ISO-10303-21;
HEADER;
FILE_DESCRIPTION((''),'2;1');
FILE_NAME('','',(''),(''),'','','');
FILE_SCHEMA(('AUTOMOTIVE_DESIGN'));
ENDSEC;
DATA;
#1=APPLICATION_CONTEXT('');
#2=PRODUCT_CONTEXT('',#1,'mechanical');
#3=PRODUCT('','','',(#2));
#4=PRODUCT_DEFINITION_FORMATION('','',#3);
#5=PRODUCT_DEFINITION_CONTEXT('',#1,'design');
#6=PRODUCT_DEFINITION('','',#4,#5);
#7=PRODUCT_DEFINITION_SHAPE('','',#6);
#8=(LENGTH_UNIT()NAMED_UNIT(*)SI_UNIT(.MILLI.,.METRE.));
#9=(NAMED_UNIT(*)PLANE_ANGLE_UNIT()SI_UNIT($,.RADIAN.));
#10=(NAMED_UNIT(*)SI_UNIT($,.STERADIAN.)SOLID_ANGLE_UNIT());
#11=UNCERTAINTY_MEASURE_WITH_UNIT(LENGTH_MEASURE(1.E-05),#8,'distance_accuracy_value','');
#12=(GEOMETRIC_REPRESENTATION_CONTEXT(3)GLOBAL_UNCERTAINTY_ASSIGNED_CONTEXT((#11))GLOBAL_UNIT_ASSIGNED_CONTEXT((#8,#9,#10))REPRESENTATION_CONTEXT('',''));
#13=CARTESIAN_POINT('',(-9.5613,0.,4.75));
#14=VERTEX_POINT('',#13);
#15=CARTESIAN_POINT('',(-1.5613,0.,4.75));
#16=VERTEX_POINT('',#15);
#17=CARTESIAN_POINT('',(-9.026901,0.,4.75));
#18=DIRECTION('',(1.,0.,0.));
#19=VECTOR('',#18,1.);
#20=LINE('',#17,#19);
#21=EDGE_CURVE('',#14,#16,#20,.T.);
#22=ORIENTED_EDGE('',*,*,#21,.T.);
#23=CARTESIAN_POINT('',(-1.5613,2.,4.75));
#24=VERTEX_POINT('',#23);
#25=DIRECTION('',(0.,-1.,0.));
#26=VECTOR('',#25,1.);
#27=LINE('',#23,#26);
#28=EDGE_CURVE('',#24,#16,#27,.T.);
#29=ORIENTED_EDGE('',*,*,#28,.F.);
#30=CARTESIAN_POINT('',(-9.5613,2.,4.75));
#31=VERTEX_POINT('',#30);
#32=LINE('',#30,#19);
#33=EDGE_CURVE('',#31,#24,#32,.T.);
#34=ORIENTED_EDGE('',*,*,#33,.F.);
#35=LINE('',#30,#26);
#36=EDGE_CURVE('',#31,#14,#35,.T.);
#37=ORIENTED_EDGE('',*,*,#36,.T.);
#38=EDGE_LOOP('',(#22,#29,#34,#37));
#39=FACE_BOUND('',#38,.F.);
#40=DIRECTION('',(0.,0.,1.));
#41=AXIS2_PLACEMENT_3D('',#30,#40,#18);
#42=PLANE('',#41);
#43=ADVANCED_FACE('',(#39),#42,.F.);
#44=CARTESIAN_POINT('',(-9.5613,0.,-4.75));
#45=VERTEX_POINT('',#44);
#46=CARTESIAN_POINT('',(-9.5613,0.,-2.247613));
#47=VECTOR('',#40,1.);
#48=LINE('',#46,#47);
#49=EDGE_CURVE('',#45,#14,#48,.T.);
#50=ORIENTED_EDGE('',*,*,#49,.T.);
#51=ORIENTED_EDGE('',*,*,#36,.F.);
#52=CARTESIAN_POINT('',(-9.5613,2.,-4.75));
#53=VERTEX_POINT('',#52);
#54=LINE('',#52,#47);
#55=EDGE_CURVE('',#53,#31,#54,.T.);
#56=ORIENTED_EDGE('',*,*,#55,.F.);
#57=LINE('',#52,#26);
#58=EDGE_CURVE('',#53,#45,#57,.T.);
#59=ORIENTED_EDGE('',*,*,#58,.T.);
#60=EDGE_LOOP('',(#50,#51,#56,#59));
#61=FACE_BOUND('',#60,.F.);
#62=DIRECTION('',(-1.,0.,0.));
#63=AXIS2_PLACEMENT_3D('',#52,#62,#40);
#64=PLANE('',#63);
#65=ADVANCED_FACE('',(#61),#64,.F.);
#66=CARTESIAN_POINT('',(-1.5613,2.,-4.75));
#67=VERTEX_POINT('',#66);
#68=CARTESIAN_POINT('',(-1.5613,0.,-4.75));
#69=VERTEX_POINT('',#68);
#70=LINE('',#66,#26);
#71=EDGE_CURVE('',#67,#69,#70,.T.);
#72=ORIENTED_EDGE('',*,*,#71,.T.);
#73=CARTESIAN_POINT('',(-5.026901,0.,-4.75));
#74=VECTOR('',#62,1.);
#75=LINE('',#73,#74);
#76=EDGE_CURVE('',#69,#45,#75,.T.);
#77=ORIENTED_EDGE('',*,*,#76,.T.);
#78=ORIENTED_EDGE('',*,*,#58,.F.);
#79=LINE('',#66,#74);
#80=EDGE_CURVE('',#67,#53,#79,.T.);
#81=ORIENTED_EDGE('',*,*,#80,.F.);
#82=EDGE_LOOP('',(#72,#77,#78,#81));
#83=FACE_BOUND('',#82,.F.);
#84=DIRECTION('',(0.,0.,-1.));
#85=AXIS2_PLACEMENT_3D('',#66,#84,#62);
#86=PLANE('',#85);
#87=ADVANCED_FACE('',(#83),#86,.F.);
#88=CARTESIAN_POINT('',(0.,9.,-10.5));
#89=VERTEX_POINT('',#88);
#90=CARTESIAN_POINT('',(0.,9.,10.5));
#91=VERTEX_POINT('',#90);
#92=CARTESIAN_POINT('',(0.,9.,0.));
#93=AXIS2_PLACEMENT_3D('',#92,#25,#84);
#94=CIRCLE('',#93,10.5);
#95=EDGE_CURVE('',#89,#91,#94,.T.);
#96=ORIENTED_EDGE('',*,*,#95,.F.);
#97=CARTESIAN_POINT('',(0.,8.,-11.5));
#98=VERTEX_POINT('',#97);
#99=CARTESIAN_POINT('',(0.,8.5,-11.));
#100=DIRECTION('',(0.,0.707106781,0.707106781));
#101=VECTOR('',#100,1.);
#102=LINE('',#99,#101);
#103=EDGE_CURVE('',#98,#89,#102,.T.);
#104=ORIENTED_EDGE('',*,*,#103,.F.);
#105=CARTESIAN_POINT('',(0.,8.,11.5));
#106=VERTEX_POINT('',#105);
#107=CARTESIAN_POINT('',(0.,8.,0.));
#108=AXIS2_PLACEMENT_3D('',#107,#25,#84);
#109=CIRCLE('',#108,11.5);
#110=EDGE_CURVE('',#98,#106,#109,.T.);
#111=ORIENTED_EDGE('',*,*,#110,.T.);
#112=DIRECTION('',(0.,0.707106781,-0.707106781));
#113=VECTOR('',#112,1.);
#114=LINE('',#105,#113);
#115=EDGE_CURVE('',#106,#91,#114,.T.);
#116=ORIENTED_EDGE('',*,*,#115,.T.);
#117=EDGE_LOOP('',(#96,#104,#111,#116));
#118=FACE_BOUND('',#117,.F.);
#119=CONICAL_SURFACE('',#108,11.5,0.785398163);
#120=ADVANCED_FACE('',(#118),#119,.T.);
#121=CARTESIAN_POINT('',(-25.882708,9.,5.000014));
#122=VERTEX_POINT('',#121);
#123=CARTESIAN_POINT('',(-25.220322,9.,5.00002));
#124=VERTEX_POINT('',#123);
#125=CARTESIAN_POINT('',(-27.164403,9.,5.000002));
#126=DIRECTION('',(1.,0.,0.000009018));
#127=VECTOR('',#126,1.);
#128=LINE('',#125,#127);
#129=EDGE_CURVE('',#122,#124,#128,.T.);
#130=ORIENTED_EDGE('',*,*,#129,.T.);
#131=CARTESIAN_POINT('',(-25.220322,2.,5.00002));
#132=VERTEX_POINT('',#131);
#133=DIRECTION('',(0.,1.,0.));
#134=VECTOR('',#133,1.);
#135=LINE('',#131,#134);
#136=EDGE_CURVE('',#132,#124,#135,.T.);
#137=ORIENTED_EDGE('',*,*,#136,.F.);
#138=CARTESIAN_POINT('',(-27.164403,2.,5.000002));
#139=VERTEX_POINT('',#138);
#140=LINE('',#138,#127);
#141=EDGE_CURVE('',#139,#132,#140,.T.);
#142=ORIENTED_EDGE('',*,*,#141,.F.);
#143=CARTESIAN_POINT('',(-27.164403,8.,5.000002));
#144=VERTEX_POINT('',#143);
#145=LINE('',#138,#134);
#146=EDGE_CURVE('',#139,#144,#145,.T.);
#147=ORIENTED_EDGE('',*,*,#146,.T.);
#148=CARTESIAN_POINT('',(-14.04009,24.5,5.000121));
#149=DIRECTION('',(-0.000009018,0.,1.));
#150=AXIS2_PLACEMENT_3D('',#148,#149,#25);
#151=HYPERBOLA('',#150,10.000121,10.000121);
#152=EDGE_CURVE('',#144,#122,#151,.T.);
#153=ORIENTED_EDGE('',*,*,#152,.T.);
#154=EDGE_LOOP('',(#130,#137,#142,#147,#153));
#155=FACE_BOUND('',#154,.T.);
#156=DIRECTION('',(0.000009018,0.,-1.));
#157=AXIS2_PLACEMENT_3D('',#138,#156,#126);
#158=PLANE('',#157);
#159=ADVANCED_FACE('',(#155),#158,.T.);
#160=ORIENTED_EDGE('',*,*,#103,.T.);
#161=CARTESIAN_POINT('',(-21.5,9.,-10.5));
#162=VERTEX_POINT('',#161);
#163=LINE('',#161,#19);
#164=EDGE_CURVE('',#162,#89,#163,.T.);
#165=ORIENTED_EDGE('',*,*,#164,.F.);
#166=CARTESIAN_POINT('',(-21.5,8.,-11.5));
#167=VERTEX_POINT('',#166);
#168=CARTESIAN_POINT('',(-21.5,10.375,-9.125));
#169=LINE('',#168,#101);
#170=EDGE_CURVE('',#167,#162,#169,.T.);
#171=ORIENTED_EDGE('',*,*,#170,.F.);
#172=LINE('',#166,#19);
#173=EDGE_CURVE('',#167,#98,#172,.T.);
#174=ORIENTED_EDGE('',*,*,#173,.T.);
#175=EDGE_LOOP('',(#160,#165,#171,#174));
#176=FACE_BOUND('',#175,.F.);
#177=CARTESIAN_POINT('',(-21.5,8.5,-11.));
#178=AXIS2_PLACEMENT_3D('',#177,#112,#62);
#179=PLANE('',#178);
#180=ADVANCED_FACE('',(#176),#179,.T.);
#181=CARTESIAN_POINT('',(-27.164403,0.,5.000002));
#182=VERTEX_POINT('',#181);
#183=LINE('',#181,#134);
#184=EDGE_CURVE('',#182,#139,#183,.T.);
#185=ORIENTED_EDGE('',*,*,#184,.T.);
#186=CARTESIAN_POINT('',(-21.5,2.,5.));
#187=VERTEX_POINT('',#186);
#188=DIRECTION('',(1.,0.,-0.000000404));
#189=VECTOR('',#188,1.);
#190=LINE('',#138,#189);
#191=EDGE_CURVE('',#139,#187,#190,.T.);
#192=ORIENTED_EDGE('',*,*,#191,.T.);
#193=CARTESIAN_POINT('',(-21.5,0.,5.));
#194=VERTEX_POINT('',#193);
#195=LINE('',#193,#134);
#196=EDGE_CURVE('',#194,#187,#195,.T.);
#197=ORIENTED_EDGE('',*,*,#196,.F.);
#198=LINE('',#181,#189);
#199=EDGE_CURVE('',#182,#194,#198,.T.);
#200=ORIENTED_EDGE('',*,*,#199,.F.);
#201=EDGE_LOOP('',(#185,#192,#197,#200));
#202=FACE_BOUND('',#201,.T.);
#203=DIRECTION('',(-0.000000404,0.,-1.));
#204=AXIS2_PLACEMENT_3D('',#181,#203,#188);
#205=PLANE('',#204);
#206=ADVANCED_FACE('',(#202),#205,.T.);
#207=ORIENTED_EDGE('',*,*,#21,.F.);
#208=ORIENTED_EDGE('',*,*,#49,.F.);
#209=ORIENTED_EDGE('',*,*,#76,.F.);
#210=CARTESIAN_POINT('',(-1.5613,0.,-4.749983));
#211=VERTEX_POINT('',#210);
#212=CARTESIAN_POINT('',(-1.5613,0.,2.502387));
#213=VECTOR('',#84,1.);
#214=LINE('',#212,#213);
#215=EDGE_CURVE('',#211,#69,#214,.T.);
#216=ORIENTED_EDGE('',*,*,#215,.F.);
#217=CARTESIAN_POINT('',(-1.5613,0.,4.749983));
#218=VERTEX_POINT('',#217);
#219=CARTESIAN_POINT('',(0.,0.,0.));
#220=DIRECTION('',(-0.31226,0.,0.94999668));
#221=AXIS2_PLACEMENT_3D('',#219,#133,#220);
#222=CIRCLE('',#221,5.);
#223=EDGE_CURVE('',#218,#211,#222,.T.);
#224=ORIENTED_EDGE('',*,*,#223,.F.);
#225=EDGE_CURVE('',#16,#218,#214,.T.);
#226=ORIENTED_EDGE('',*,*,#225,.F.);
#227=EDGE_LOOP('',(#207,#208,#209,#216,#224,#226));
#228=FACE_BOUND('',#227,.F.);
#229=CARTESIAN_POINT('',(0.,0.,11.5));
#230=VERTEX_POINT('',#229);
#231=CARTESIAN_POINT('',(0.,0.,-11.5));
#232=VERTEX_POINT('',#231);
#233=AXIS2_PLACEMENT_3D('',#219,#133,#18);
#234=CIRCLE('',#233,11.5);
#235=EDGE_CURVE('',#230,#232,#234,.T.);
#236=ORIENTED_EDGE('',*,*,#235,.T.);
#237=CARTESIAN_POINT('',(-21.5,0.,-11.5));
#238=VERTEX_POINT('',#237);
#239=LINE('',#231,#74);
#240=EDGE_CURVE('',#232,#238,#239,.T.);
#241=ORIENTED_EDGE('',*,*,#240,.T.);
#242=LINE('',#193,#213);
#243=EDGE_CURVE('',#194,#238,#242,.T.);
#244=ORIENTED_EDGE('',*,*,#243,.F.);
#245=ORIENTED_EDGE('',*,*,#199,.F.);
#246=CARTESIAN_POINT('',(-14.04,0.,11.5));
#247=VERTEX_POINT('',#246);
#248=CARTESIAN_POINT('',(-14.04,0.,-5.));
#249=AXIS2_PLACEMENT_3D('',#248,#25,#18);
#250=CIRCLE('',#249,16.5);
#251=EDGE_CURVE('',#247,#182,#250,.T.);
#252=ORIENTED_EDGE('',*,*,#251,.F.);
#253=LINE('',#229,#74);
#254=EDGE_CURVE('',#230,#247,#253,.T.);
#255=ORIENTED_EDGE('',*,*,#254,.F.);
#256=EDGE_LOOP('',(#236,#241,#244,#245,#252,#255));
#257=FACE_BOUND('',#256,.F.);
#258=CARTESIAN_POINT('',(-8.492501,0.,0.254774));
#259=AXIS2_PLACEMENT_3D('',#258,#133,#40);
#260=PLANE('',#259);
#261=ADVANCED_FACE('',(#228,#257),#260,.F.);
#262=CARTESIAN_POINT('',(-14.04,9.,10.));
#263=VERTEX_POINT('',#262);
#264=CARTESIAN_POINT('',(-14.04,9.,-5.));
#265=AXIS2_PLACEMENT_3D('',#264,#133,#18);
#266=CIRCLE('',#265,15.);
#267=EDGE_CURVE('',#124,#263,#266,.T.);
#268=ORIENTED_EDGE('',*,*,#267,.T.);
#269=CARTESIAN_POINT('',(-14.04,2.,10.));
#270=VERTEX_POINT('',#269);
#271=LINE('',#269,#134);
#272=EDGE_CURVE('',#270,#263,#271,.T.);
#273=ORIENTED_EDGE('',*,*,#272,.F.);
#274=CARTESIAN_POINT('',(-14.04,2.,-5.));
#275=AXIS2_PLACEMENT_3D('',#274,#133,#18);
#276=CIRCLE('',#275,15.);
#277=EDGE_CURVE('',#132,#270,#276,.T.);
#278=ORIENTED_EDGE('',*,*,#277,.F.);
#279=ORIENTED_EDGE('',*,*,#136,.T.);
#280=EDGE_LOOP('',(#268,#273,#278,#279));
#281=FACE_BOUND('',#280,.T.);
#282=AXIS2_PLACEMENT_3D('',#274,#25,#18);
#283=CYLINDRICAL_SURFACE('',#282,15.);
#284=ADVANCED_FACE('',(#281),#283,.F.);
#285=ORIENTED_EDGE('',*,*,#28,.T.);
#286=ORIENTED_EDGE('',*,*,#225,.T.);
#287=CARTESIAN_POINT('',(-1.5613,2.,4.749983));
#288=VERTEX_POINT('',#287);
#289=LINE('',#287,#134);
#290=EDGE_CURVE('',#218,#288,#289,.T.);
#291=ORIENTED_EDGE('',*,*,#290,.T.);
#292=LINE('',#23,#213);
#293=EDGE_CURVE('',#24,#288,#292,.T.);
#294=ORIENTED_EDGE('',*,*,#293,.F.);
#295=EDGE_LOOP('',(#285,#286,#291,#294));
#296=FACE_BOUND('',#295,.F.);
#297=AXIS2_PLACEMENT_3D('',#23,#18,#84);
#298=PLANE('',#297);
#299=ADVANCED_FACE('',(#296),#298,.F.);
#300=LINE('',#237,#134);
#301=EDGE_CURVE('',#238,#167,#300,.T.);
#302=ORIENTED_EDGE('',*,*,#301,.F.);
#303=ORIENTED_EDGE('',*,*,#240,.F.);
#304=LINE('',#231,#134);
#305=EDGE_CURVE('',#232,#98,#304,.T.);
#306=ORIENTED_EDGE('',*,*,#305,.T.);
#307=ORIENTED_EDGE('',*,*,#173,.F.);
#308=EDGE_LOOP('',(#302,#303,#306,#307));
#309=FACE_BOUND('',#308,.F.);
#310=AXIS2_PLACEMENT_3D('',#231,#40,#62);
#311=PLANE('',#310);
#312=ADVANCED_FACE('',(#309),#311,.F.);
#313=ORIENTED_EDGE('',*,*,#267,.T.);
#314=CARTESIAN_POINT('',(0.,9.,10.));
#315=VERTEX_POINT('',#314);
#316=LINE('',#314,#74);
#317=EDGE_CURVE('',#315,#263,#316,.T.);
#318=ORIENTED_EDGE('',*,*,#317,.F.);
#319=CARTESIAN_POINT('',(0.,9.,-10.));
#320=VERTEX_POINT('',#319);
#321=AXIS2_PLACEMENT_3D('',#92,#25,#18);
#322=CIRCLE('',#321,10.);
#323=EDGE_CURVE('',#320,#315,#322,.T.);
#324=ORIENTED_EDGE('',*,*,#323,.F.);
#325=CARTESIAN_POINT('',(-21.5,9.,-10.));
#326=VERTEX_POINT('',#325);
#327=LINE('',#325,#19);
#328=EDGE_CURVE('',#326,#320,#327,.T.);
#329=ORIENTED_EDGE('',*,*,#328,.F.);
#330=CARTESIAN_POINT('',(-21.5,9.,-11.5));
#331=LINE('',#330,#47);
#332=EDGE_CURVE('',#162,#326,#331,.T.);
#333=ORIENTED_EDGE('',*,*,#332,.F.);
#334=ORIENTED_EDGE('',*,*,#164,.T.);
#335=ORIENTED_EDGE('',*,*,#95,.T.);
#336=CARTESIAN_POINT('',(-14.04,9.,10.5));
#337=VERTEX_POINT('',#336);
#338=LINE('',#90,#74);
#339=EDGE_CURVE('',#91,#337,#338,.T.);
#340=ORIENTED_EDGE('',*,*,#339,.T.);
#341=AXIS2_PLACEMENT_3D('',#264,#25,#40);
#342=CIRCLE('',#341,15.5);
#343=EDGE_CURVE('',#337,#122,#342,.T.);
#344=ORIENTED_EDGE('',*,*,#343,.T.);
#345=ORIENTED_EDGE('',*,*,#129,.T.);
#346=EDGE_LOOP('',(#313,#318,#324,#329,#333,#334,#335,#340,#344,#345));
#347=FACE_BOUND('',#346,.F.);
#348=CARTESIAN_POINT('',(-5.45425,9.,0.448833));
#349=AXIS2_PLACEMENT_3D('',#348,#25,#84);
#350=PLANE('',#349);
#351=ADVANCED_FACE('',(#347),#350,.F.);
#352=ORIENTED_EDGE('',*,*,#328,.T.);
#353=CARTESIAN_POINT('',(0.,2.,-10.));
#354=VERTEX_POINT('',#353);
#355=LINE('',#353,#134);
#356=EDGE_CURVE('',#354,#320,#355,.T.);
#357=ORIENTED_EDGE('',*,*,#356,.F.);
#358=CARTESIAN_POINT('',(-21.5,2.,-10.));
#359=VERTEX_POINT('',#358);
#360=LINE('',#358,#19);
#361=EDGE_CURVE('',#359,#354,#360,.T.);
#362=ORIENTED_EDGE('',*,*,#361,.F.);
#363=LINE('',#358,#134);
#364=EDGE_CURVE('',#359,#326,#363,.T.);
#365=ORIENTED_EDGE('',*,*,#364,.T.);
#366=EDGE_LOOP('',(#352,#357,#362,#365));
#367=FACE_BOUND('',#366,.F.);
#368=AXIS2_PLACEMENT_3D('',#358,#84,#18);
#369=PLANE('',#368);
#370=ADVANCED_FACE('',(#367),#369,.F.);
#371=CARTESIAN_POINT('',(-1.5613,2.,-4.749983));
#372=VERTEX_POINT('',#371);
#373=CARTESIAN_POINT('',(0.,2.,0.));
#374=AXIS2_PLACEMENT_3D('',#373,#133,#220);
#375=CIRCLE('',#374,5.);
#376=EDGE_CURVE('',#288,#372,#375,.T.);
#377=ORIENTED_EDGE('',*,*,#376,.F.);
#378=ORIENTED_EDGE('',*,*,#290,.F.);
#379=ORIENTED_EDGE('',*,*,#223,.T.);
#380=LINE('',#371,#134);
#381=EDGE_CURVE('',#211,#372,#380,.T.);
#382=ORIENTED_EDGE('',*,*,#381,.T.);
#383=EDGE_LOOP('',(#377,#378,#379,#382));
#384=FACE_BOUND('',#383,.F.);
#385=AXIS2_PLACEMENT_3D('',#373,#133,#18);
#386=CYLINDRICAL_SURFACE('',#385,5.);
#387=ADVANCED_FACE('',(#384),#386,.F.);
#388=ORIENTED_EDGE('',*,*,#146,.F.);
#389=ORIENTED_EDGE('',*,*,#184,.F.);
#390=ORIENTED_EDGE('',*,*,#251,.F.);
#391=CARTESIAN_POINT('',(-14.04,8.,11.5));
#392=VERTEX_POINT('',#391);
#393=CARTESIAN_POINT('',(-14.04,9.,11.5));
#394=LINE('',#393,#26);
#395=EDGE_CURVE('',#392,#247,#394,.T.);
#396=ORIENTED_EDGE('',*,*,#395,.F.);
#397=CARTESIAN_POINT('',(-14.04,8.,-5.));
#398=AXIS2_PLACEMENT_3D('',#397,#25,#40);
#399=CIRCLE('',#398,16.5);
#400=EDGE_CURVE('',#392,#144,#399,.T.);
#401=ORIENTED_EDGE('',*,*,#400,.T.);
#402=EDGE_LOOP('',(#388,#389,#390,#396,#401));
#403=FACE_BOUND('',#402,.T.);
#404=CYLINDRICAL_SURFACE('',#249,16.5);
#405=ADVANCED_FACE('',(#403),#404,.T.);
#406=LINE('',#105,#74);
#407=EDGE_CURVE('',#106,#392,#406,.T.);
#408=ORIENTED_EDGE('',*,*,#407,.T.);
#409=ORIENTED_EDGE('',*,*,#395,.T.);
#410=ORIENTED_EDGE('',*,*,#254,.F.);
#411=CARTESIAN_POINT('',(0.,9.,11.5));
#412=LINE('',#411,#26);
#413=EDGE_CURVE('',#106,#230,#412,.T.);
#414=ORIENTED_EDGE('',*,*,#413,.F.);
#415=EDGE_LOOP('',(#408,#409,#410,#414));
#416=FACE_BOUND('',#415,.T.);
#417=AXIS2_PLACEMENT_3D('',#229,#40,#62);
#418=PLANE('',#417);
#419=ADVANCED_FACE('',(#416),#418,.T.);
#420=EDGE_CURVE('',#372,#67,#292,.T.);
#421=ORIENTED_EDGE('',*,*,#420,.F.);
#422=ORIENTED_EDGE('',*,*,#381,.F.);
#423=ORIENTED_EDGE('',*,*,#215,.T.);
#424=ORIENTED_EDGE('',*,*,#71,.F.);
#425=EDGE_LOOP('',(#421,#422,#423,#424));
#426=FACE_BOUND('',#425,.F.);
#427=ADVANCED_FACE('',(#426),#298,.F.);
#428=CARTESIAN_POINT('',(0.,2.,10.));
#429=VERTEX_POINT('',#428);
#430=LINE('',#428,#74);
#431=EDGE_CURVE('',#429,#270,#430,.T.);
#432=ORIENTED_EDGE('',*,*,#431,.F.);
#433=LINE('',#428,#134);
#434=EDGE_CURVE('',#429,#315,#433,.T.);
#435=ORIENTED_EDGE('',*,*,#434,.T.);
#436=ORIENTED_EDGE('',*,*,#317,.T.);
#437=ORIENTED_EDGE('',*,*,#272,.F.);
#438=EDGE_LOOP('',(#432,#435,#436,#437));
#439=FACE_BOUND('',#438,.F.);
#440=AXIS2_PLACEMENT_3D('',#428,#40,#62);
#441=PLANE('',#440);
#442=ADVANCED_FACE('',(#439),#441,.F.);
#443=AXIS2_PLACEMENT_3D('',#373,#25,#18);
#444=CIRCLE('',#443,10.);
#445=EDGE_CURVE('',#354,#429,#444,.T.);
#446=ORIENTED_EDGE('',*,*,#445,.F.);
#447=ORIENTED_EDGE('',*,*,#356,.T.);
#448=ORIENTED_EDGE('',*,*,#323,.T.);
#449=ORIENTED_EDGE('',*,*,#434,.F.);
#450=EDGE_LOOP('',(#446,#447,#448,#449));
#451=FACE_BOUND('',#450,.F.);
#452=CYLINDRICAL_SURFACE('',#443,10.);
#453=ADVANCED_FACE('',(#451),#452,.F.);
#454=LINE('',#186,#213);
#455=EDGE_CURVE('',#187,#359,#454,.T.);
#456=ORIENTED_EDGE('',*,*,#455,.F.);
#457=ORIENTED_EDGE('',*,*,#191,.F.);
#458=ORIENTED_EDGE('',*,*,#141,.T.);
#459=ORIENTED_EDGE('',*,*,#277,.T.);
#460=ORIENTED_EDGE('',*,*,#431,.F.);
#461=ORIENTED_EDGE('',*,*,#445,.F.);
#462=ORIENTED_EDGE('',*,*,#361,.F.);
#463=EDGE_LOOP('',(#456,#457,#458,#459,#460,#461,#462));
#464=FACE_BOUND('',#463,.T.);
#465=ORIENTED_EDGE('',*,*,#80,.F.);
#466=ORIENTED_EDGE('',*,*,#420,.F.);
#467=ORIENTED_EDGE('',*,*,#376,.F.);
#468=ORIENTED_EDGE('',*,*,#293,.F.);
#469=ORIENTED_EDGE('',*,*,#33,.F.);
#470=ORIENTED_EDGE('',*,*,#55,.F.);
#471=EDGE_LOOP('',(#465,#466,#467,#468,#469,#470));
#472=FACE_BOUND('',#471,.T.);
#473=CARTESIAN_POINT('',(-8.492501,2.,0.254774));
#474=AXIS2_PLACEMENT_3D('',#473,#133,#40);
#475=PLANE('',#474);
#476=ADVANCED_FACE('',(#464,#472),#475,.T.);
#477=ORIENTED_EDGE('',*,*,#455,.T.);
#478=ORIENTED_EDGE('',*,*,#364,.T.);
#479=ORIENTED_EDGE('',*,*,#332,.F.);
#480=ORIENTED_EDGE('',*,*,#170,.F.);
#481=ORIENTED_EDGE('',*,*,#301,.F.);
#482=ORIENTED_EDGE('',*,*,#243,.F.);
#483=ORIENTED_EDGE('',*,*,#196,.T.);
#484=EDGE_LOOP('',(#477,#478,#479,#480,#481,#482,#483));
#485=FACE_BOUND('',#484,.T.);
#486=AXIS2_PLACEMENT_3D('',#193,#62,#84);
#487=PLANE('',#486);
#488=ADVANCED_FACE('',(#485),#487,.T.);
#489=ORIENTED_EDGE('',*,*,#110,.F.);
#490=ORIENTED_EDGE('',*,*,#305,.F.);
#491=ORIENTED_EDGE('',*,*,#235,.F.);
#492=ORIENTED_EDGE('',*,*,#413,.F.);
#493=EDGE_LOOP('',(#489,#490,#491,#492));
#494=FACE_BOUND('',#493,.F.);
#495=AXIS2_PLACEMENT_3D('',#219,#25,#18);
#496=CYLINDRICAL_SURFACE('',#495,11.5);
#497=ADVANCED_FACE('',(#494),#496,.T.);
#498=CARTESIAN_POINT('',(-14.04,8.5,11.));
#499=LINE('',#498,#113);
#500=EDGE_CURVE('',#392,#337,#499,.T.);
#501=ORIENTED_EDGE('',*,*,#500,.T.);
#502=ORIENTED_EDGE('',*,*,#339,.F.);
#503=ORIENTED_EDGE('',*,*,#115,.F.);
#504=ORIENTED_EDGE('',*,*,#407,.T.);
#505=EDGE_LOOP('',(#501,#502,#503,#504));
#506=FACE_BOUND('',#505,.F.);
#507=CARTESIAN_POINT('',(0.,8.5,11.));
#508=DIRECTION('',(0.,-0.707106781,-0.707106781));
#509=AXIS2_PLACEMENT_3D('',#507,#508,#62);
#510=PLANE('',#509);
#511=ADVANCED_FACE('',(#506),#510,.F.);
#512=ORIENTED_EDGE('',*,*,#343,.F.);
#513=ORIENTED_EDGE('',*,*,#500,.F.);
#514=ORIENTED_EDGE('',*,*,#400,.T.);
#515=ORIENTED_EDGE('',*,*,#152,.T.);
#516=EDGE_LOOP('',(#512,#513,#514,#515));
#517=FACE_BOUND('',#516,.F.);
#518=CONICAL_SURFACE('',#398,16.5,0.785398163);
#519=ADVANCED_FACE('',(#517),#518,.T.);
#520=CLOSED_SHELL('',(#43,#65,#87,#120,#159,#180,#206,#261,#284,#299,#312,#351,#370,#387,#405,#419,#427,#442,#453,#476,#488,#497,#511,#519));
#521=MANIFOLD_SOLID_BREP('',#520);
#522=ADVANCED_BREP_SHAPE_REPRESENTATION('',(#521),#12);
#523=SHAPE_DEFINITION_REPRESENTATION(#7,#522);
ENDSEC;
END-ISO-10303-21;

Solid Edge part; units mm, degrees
sketch "Sketch1" plane through (0, 0, 0) normal (0, -1, 0) x (1, 0, 0)
  arc A0 (0, 11.5) -> (0, -11.5) centre (0, 0) cw
  line L0 (0, -11.5) -> (-21.5, -11.5)
  line L1 (-21.5, 5) -> (-21.5, -11.5)
  line L2 (-27.1644, 5) -> (-21.5, 5)
  arc A1 (-14.04, 11.5) -> (-27.1644, 5) centre (-14.04, -5) ccw
  line L3 (0, 11.5) -> (-14.04, 11.5)
  dimension "D1" = 11.5
  dimension "D2" = 21.5
  dimension "D3" = 14.04
  dimension "D4" = 16.5
  dimension "D5" = 16.5
extrude "Protrusion1" add sketch "Sketch1" against normal blind 2
sketch "Sketch2" plane through (-7.8322, 2, 0) normal (0, 1, 0) x (1, 0, 0)
  line L0 (-13.6678, 11.5) -> (7.8322, 11.5)
  arc A0 (7.8322, 11.5) -> (7.8322, -11.5) centre (7.8322, 0) cw
  line L1 (7.8322, -11.5) -> (-6.2078, -11.5)
  arc A1 (-6.2078, -11.5) -> (-19.3322, -5) centre (-6.2078, 5) cw
  line L2 (-19.3322, -5) -> (-17.3881, -5)
  arc A2 (-17.3881, -5) -> (-6.2078, -10) centre (-6.2078, 5) ccw
  line L3 (7.8322, -10) -> (-6.2078, -10)
  arc A3 (7.8322, 10) -> (7.8322, -10) centre (7.8322, 0) cw
  line L4 (-13.6678, 10) -> (7.8322, 10)
  line L5 (-13.6678, 11.5) -> (-13.6678, 10)
  dimension "D1" = 1.5
  dimension "D2" = 10
  dimension "D3" = 1.5
  dimension "D4" = 15
extrude "Extrusionsausprägung_2" add sketch "Sketch2" along normal blind 7
chamfer "Fase_1" distance 1 angle 45 4 edges at (-7.02, 9, 11.5) (-21.3629, 9, 9.786) (11.5, 9, 0) (-10.75, 9, -11.5)
sketch "Sketch3" plane through (-7.6102, 2, 0) normal (0, 1, 0) x (1, 0, 0)
  circle A0 centre (7.6102, 0) radius 5
  dimension "D1" = 10
extrude "Cutout1" cut sketch "Sketch3" against normal through all
sketch "Sketch4" plane through (-7.6102, 2, 0) normal (0, 1, 0) x (1, 0, 0)
  line L0 (6.0489, 4.75) -> (-1.9511, 4.75)
  line L1 (-1.9511, 4.75) -> (-1.9511, -4.75)
  line L2 (-1.9511, -4.75) -> (6.0489, -4.75)
  line L3 (6.0489, -4.75) -> (6.0489, 4.75)
  dimension "D1" = 8
  dimension "D2" = 9.5
extrude "Cutout2" cut sketch "Sketch4" against normal through all
